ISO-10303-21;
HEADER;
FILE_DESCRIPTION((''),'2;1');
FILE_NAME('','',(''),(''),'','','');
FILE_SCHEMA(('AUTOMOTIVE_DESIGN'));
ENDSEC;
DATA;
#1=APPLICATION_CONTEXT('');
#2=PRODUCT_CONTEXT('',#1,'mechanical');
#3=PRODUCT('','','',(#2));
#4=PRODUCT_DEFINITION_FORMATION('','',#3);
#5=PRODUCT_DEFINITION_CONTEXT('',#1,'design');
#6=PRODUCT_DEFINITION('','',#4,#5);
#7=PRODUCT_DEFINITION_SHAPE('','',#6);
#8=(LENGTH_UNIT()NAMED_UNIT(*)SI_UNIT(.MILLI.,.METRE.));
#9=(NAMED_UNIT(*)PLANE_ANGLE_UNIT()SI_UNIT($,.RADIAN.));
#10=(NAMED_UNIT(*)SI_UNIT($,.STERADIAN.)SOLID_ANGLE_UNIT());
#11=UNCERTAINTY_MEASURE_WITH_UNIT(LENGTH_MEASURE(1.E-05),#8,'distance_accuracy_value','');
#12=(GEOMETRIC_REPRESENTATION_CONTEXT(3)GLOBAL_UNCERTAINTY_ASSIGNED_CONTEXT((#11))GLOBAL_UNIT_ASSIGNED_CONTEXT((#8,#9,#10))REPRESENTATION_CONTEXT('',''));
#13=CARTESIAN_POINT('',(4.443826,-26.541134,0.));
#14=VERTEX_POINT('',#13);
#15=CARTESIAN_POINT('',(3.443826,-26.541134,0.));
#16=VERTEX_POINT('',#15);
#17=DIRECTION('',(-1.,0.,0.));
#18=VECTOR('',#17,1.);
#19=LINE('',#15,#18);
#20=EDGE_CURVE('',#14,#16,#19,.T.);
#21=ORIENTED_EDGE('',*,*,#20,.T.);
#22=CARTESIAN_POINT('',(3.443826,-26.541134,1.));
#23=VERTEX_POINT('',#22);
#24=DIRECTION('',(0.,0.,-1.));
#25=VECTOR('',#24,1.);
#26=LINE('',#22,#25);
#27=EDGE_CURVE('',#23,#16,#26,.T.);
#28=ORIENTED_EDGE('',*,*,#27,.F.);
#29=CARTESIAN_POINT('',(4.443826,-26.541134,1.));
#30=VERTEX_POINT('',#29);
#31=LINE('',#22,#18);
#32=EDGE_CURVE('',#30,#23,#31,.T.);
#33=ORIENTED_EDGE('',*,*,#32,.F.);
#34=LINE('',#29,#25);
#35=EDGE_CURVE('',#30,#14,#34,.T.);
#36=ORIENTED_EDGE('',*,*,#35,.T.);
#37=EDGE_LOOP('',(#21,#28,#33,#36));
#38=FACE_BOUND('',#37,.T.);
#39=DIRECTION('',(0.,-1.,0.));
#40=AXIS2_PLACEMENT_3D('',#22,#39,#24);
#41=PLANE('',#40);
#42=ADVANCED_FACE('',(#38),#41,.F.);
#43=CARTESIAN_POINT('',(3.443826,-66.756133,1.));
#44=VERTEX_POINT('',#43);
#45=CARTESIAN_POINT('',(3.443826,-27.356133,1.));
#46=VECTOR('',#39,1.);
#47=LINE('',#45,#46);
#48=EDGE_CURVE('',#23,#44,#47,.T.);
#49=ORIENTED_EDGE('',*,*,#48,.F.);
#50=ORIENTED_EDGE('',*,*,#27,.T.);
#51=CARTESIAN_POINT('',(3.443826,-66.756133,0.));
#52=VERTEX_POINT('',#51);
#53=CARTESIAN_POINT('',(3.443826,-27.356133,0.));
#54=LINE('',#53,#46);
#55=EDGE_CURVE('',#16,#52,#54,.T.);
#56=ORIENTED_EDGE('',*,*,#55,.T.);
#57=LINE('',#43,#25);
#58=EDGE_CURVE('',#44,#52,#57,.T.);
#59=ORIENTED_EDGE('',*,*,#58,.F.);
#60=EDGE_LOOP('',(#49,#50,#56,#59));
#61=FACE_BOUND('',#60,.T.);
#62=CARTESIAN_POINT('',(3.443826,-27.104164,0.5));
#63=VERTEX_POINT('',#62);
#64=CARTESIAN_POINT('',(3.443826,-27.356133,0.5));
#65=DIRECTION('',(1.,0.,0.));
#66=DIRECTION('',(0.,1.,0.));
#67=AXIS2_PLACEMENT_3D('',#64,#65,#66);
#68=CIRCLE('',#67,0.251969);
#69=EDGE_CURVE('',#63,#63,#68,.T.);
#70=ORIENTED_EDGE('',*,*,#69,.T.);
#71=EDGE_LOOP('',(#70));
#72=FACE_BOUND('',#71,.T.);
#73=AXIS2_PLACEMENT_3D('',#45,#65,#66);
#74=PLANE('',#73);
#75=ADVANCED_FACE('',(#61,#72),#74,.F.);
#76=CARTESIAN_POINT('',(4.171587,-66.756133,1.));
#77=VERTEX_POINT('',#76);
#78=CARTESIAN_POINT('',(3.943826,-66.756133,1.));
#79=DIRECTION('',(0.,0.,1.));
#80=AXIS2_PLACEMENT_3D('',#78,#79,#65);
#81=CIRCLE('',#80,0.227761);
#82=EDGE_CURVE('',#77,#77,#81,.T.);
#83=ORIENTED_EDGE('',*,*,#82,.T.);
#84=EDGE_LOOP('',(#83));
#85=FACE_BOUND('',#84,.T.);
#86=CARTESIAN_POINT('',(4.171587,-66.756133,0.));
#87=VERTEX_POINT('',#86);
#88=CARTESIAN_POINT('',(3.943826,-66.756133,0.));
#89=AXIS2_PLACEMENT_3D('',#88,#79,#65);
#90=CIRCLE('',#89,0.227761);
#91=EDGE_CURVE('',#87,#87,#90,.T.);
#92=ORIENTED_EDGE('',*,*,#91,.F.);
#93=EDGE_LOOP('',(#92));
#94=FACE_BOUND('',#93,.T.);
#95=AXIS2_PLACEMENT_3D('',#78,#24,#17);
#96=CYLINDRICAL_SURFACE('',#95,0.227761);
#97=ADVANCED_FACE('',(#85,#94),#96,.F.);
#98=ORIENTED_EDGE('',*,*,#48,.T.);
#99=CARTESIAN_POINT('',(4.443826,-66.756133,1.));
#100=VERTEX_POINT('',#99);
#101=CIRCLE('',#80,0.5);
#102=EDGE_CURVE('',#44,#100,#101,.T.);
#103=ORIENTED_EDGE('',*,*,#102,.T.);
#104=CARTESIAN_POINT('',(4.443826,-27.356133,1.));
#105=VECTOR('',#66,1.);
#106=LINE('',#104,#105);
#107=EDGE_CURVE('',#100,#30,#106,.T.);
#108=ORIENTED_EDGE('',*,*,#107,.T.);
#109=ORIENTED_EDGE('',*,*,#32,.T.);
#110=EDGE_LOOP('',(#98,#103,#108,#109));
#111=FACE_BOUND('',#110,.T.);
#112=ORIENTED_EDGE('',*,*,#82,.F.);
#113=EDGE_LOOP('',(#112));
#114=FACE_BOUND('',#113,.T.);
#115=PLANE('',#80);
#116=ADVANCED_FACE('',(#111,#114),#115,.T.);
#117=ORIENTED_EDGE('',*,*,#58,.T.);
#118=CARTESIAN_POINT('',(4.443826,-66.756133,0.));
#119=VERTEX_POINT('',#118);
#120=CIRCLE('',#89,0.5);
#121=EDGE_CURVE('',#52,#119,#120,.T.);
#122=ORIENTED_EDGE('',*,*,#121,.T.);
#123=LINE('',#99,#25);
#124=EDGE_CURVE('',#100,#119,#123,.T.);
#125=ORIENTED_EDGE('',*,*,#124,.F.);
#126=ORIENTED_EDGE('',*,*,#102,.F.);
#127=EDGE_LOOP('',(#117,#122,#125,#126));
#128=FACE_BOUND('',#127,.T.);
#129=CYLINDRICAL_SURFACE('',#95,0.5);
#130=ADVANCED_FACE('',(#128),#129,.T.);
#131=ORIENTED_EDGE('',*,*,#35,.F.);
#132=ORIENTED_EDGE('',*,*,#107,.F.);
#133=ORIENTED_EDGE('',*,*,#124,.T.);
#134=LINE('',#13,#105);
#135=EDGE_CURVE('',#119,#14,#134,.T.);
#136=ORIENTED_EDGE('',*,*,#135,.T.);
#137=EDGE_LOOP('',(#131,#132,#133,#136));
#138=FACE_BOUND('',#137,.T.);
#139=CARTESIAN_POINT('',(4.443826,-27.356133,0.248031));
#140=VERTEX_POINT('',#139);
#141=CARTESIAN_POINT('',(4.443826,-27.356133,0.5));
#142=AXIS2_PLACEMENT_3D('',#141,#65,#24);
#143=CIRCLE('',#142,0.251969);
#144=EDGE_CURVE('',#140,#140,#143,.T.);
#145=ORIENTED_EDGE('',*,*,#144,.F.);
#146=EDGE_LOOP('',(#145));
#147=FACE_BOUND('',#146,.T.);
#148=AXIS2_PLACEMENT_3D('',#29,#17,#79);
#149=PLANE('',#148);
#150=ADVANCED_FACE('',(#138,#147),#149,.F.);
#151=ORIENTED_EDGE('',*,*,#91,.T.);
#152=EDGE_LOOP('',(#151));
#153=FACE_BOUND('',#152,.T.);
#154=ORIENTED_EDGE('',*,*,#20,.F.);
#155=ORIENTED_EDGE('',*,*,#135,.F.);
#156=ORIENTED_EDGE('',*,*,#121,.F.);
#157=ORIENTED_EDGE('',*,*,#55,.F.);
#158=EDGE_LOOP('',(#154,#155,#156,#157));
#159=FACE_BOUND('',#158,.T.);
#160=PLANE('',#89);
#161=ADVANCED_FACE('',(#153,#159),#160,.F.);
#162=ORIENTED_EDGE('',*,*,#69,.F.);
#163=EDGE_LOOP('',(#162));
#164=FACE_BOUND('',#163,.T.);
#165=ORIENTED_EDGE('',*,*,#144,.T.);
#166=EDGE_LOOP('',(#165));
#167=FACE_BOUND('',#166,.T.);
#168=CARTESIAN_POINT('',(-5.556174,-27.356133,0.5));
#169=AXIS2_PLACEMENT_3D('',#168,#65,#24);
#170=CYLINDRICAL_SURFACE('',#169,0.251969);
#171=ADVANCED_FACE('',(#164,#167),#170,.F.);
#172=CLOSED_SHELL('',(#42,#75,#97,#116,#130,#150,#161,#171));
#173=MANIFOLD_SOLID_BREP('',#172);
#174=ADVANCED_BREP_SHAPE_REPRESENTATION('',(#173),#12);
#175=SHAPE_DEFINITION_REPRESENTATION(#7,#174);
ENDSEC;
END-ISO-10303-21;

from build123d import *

# Parameters (mm, degrees)
SKETCH1_R           = 0.227761077
BOSS_EXTRUDE1_DEPTH = 1
SKETCH4_R           = 0.251968504
CUT_EXTRUDE1_DEPTH  = 10


with BuildPart() as part:
    # Sketch1 → Boss-Extrude1 (new body)
    with BuildSketch(Plane.XY):
        with BuildLine():
            Line((3.44382586, -27.356132879), (3.44382586, -66.756132879))
            ThreePointArc((3.44382586, -66.756132879), (3.94382586, -67.256132879), (4.44382586, -66.756132879))
            Line((4.44382586, -66.756132879), (4.44382586, -27.356132879))
            Line((4.44382586, -27.356132879), (4.44382586, -26.541134356))
            Line((4.44382586, -26.541134356), (3.44382586, -26.541134356))
            Line((3.44382586, -26.541134356), (3.44382586, -27.356132879))
        make_face()
        with Locations((3.94382586, -66.756132879)):
            Circle(SKETCH1_R, mode=Mode.SUBTRACT)
    extrude(amount=BOSS_EXTRUDE1_DEPTH)

    # Sketch4 → Cut-Extrude1 (cut)
    with BuildSketch(Plane(origin=(4.44382586, 0, 0), x_dir=(0, 0, -1), z_dir=(1, 0, 0))):
        with Locations((-0.5, -27.356132879)):
            Circle(SKETCH4_R)
    extrude(amount=-CUT_EXTRUDE1_DEPTH, mode=Mode.SUBTRACT)


solid = part.part
